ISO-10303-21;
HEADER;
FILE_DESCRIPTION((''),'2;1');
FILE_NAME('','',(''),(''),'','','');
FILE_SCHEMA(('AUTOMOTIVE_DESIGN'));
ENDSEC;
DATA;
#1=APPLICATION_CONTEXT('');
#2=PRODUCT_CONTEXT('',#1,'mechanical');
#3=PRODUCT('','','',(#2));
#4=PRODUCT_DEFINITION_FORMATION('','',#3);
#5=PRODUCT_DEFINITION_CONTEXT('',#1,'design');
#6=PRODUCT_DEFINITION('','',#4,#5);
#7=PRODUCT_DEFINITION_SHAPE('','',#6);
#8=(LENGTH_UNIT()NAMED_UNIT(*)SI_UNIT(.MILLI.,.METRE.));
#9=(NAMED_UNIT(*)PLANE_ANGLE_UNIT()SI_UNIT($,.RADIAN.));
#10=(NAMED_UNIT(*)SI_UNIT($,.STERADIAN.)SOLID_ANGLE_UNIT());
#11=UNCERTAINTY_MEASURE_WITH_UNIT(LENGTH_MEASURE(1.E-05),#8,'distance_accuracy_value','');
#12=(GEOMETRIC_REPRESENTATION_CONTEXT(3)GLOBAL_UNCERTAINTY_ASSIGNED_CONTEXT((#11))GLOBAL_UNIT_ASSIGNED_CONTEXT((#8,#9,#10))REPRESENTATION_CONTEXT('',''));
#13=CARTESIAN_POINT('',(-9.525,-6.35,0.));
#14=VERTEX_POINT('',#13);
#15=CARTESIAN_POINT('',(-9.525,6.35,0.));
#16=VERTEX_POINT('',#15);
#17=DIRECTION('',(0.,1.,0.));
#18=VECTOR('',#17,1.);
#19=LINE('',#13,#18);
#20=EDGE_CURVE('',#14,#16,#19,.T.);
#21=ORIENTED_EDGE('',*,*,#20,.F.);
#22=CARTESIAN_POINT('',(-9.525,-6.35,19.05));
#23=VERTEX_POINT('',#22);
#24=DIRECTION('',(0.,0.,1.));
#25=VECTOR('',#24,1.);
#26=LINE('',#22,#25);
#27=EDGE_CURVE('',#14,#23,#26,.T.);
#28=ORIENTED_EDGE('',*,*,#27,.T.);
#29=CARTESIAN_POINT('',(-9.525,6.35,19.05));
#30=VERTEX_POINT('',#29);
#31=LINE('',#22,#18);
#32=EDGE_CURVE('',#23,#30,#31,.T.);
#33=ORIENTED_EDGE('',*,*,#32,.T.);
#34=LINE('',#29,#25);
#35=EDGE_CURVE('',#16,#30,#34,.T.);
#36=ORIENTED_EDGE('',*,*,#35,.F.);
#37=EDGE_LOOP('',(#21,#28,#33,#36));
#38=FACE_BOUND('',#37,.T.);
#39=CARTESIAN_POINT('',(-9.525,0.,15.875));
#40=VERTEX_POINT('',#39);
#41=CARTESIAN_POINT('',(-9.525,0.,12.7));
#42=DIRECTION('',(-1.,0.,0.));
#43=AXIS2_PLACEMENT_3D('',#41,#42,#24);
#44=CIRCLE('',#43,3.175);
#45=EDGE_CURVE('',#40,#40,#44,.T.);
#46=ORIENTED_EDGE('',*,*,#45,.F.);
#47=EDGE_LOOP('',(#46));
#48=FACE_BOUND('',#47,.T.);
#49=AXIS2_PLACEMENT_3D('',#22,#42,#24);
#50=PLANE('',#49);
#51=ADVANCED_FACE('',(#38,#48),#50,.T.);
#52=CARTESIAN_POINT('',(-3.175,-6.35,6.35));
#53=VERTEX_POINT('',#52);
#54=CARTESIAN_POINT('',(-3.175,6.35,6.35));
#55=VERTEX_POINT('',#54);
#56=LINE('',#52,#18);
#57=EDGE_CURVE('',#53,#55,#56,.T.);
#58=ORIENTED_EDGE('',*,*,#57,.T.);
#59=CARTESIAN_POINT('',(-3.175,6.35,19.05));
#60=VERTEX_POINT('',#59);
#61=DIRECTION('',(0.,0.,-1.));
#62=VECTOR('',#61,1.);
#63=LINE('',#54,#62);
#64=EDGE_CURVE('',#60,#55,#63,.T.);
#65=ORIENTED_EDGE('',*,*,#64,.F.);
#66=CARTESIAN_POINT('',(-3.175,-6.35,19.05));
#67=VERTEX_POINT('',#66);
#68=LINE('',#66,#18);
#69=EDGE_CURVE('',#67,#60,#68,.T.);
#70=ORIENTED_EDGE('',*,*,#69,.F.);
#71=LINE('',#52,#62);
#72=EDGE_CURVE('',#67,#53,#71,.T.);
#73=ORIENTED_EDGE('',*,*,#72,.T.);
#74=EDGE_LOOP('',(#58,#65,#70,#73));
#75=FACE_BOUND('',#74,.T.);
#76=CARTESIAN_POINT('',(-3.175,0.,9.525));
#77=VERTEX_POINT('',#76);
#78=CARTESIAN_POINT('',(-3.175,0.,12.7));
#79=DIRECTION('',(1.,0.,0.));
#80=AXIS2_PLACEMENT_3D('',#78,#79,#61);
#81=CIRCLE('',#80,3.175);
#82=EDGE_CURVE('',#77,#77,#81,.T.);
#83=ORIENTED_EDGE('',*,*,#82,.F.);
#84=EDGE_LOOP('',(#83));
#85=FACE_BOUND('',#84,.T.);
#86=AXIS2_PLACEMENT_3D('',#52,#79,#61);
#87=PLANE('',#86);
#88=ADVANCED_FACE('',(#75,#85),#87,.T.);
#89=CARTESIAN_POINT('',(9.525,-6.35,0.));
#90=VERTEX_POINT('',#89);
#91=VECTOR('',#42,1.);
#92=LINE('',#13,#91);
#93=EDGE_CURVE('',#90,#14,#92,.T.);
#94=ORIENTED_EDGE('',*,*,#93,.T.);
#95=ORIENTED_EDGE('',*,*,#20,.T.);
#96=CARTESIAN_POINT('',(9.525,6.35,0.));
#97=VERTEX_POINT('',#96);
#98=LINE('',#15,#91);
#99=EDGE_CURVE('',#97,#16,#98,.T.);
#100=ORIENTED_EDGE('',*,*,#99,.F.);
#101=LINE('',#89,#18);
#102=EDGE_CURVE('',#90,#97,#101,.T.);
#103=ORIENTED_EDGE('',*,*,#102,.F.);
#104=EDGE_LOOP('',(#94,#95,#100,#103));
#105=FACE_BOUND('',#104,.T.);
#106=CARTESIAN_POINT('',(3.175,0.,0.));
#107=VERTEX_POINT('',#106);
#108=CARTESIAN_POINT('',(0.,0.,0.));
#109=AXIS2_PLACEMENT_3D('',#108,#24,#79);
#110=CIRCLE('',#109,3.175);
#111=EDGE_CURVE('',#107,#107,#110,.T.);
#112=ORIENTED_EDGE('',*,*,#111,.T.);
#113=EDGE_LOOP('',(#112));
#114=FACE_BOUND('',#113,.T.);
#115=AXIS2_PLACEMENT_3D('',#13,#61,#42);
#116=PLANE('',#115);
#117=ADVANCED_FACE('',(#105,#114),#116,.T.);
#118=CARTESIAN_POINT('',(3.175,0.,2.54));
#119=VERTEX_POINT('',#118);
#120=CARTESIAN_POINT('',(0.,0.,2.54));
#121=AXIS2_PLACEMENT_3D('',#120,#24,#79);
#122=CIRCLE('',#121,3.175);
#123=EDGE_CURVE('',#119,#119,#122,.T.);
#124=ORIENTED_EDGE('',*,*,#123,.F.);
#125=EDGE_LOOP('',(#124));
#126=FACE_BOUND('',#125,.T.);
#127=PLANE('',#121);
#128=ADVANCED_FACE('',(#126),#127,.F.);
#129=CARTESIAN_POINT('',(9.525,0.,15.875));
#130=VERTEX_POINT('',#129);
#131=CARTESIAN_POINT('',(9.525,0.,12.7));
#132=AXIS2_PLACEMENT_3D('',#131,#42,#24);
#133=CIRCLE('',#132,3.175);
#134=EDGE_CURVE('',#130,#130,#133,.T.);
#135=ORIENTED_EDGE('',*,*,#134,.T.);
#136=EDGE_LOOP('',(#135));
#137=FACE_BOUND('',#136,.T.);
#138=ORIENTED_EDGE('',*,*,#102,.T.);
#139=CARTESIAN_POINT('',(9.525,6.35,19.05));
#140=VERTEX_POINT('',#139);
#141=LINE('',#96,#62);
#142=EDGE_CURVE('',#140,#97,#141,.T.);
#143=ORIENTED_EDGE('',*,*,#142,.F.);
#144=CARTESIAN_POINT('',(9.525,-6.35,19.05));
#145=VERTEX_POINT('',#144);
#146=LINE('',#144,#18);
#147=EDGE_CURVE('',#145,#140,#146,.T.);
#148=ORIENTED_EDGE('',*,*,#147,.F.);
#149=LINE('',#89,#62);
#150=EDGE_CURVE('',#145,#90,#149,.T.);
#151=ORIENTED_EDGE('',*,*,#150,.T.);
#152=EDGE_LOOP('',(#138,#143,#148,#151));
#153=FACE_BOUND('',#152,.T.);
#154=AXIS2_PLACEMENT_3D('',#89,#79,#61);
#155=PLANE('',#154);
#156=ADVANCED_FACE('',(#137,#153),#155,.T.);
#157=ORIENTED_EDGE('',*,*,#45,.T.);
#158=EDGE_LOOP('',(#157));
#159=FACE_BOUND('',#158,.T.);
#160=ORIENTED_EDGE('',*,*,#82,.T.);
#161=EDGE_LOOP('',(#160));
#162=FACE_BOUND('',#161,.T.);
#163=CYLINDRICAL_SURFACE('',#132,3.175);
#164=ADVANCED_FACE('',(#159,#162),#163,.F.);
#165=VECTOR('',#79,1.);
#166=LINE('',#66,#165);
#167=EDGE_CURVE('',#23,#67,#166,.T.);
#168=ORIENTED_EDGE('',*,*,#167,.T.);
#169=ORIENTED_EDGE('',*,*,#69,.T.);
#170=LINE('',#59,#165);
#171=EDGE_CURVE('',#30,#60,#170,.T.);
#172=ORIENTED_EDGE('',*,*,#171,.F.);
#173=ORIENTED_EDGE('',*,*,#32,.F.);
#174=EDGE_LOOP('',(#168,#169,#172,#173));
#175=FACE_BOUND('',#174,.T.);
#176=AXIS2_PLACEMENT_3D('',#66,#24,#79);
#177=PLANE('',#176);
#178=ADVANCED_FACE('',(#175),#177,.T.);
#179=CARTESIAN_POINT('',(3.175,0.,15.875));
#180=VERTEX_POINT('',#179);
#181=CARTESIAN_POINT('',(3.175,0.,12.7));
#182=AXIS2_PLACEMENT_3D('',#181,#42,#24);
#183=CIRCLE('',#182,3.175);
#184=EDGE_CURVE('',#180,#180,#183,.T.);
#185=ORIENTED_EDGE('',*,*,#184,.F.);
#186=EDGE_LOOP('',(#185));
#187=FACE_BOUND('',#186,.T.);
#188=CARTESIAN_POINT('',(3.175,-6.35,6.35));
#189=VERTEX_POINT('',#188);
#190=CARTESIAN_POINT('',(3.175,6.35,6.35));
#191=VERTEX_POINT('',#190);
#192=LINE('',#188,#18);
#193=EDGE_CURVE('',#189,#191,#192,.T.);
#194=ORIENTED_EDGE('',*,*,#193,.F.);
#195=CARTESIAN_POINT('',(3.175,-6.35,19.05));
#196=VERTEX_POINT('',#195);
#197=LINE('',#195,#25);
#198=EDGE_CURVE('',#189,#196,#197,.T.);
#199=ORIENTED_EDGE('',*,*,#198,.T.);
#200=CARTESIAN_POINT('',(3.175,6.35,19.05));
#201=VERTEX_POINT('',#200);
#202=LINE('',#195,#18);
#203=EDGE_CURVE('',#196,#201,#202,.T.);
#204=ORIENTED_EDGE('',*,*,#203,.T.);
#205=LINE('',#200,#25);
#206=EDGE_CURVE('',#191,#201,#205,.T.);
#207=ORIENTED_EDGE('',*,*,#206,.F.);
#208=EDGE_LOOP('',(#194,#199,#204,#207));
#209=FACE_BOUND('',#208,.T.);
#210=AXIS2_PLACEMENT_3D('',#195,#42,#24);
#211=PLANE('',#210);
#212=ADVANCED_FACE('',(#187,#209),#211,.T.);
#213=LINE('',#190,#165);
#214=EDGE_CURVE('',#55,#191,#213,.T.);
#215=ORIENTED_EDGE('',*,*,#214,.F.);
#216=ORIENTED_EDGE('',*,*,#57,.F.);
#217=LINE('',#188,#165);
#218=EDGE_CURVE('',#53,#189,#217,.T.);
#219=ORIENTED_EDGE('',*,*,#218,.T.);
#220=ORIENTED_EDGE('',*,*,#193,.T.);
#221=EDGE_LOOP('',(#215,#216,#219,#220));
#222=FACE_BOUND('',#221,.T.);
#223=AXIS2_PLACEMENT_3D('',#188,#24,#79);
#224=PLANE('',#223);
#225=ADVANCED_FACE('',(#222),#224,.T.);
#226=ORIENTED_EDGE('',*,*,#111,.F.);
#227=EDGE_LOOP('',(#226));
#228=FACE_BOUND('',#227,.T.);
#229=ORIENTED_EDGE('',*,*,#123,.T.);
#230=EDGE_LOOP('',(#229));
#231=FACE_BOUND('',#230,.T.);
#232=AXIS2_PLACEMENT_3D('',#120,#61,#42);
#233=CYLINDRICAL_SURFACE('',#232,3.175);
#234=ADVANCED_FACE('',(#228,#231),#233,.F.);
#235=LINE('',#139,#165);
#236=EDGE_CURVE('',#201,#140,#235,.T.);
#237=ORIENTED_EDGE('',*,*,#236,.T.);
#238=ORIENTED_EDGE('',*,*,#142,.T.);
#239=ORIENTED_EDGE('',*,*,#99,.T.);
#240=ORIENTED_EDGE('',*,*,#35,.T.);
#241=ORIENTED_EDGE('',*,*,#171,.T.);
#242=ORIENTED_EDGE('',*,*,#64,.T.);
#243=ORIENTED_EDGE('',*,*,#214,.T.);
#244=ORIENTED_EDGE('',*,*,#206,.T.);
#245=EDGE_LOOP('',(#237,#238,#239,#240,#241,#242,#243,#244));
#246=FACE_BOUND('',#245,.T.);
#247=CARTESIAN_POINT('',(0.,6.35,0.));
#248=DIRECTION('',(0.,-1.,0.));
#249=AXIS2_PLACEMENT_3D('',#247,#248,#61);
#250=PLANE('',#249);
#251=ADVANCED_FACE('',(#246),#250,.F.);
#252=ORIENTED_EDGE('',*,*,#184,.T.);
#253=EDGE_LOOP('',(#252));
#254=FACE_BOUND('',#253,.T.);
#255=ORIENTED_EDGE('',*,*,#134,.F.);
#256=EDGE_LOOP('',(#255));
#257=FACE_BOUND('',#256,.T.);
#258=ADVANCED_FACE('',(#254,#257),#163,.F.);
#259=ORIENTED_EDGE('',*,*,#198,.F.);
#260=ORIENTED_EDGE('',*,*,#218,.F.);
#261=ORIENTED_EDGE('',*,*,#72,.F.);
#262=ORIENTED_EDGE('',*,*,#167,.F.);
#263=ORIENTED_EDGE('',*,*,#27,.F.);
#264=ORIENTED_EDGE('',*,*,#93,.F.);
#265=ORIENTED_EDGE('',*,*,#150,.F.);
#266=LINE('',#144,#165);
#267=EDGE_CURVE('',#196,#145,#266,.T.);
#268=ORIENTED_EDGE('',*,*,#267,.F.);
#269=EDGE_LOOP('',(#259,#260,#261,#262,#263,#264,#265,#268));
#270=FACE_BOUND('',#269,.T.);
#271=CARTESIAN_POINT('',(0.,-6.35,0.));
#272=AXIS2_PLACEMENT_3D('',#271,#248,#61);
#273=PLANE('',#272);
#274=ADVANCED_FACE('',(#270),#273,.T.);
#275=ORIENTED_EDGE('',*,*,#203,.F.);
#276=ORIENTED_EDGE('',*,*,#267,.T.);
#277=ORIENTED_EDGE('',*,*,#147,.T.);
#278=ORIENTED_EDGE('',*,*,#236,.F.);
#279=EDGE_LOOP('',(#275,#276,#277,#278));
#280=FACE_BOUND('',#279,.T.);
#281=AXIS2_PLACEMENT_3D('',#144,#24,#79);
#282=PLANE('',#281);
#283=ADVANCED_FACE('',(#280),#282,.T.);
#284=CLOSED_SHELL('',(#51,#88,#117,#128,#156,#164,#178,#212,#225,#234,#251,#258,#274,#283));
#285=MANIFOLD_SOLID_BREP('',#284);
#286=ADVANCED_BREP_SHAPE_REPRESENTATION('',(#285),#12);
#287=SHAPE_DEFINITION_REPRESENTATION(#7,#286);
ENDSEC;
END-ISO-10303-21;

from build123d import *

# Parameters (mm, degrees)
BOSS_EXTRUDE2_DEPTH = 6.35
SKETCH3_R           = 3.175
CUT_EXTRUDE1_DEPTH  = 28.679008291
SKETCH1_R           = 3.175
CUT_EXTRUDE2_DEPTH  = 2.54


with BuildPart() as part:
    # Sketch2 → Boss-Extrude2 (new, symmetric)
    with BuildSketch(Plane(origin=(0, 0, 0), x_dir=(1, 0, 0), z_dir=(0, 1, 0))):
        Polygon((-9.525, 0), (9.525, 0), (9.525, -19.05), (3.175, -19.05), (3.175, -6.35), (-3.175, -6.35), (-3.175, -19.05), (-9.525, -19.05), align=None)
    extrude(amount=BOSS_EXTRUDE2_DEPTH, both=True)

    # Sketch3 → Cut-Extrude1 (cut, through all)
    with BuildSketch(Plane.ZY.offset(9.525)):
        with Locations((12.7, 0)):
            Circle(SKETCH3_R)
    extrude(amount=-CUT_EXTRUDE1_DEPTH, mode=Mode.SUBTRACT)

    # Sketch1 → Cut-Extrude2 (cut)
    with BuildSketch(Plane.XY):
        Circle(SKETCH1_R)
    extrude(amount=CUT_EXTRUDE2_DEPTH, mode=Mode.SUBTRACT)


solid = part.part
